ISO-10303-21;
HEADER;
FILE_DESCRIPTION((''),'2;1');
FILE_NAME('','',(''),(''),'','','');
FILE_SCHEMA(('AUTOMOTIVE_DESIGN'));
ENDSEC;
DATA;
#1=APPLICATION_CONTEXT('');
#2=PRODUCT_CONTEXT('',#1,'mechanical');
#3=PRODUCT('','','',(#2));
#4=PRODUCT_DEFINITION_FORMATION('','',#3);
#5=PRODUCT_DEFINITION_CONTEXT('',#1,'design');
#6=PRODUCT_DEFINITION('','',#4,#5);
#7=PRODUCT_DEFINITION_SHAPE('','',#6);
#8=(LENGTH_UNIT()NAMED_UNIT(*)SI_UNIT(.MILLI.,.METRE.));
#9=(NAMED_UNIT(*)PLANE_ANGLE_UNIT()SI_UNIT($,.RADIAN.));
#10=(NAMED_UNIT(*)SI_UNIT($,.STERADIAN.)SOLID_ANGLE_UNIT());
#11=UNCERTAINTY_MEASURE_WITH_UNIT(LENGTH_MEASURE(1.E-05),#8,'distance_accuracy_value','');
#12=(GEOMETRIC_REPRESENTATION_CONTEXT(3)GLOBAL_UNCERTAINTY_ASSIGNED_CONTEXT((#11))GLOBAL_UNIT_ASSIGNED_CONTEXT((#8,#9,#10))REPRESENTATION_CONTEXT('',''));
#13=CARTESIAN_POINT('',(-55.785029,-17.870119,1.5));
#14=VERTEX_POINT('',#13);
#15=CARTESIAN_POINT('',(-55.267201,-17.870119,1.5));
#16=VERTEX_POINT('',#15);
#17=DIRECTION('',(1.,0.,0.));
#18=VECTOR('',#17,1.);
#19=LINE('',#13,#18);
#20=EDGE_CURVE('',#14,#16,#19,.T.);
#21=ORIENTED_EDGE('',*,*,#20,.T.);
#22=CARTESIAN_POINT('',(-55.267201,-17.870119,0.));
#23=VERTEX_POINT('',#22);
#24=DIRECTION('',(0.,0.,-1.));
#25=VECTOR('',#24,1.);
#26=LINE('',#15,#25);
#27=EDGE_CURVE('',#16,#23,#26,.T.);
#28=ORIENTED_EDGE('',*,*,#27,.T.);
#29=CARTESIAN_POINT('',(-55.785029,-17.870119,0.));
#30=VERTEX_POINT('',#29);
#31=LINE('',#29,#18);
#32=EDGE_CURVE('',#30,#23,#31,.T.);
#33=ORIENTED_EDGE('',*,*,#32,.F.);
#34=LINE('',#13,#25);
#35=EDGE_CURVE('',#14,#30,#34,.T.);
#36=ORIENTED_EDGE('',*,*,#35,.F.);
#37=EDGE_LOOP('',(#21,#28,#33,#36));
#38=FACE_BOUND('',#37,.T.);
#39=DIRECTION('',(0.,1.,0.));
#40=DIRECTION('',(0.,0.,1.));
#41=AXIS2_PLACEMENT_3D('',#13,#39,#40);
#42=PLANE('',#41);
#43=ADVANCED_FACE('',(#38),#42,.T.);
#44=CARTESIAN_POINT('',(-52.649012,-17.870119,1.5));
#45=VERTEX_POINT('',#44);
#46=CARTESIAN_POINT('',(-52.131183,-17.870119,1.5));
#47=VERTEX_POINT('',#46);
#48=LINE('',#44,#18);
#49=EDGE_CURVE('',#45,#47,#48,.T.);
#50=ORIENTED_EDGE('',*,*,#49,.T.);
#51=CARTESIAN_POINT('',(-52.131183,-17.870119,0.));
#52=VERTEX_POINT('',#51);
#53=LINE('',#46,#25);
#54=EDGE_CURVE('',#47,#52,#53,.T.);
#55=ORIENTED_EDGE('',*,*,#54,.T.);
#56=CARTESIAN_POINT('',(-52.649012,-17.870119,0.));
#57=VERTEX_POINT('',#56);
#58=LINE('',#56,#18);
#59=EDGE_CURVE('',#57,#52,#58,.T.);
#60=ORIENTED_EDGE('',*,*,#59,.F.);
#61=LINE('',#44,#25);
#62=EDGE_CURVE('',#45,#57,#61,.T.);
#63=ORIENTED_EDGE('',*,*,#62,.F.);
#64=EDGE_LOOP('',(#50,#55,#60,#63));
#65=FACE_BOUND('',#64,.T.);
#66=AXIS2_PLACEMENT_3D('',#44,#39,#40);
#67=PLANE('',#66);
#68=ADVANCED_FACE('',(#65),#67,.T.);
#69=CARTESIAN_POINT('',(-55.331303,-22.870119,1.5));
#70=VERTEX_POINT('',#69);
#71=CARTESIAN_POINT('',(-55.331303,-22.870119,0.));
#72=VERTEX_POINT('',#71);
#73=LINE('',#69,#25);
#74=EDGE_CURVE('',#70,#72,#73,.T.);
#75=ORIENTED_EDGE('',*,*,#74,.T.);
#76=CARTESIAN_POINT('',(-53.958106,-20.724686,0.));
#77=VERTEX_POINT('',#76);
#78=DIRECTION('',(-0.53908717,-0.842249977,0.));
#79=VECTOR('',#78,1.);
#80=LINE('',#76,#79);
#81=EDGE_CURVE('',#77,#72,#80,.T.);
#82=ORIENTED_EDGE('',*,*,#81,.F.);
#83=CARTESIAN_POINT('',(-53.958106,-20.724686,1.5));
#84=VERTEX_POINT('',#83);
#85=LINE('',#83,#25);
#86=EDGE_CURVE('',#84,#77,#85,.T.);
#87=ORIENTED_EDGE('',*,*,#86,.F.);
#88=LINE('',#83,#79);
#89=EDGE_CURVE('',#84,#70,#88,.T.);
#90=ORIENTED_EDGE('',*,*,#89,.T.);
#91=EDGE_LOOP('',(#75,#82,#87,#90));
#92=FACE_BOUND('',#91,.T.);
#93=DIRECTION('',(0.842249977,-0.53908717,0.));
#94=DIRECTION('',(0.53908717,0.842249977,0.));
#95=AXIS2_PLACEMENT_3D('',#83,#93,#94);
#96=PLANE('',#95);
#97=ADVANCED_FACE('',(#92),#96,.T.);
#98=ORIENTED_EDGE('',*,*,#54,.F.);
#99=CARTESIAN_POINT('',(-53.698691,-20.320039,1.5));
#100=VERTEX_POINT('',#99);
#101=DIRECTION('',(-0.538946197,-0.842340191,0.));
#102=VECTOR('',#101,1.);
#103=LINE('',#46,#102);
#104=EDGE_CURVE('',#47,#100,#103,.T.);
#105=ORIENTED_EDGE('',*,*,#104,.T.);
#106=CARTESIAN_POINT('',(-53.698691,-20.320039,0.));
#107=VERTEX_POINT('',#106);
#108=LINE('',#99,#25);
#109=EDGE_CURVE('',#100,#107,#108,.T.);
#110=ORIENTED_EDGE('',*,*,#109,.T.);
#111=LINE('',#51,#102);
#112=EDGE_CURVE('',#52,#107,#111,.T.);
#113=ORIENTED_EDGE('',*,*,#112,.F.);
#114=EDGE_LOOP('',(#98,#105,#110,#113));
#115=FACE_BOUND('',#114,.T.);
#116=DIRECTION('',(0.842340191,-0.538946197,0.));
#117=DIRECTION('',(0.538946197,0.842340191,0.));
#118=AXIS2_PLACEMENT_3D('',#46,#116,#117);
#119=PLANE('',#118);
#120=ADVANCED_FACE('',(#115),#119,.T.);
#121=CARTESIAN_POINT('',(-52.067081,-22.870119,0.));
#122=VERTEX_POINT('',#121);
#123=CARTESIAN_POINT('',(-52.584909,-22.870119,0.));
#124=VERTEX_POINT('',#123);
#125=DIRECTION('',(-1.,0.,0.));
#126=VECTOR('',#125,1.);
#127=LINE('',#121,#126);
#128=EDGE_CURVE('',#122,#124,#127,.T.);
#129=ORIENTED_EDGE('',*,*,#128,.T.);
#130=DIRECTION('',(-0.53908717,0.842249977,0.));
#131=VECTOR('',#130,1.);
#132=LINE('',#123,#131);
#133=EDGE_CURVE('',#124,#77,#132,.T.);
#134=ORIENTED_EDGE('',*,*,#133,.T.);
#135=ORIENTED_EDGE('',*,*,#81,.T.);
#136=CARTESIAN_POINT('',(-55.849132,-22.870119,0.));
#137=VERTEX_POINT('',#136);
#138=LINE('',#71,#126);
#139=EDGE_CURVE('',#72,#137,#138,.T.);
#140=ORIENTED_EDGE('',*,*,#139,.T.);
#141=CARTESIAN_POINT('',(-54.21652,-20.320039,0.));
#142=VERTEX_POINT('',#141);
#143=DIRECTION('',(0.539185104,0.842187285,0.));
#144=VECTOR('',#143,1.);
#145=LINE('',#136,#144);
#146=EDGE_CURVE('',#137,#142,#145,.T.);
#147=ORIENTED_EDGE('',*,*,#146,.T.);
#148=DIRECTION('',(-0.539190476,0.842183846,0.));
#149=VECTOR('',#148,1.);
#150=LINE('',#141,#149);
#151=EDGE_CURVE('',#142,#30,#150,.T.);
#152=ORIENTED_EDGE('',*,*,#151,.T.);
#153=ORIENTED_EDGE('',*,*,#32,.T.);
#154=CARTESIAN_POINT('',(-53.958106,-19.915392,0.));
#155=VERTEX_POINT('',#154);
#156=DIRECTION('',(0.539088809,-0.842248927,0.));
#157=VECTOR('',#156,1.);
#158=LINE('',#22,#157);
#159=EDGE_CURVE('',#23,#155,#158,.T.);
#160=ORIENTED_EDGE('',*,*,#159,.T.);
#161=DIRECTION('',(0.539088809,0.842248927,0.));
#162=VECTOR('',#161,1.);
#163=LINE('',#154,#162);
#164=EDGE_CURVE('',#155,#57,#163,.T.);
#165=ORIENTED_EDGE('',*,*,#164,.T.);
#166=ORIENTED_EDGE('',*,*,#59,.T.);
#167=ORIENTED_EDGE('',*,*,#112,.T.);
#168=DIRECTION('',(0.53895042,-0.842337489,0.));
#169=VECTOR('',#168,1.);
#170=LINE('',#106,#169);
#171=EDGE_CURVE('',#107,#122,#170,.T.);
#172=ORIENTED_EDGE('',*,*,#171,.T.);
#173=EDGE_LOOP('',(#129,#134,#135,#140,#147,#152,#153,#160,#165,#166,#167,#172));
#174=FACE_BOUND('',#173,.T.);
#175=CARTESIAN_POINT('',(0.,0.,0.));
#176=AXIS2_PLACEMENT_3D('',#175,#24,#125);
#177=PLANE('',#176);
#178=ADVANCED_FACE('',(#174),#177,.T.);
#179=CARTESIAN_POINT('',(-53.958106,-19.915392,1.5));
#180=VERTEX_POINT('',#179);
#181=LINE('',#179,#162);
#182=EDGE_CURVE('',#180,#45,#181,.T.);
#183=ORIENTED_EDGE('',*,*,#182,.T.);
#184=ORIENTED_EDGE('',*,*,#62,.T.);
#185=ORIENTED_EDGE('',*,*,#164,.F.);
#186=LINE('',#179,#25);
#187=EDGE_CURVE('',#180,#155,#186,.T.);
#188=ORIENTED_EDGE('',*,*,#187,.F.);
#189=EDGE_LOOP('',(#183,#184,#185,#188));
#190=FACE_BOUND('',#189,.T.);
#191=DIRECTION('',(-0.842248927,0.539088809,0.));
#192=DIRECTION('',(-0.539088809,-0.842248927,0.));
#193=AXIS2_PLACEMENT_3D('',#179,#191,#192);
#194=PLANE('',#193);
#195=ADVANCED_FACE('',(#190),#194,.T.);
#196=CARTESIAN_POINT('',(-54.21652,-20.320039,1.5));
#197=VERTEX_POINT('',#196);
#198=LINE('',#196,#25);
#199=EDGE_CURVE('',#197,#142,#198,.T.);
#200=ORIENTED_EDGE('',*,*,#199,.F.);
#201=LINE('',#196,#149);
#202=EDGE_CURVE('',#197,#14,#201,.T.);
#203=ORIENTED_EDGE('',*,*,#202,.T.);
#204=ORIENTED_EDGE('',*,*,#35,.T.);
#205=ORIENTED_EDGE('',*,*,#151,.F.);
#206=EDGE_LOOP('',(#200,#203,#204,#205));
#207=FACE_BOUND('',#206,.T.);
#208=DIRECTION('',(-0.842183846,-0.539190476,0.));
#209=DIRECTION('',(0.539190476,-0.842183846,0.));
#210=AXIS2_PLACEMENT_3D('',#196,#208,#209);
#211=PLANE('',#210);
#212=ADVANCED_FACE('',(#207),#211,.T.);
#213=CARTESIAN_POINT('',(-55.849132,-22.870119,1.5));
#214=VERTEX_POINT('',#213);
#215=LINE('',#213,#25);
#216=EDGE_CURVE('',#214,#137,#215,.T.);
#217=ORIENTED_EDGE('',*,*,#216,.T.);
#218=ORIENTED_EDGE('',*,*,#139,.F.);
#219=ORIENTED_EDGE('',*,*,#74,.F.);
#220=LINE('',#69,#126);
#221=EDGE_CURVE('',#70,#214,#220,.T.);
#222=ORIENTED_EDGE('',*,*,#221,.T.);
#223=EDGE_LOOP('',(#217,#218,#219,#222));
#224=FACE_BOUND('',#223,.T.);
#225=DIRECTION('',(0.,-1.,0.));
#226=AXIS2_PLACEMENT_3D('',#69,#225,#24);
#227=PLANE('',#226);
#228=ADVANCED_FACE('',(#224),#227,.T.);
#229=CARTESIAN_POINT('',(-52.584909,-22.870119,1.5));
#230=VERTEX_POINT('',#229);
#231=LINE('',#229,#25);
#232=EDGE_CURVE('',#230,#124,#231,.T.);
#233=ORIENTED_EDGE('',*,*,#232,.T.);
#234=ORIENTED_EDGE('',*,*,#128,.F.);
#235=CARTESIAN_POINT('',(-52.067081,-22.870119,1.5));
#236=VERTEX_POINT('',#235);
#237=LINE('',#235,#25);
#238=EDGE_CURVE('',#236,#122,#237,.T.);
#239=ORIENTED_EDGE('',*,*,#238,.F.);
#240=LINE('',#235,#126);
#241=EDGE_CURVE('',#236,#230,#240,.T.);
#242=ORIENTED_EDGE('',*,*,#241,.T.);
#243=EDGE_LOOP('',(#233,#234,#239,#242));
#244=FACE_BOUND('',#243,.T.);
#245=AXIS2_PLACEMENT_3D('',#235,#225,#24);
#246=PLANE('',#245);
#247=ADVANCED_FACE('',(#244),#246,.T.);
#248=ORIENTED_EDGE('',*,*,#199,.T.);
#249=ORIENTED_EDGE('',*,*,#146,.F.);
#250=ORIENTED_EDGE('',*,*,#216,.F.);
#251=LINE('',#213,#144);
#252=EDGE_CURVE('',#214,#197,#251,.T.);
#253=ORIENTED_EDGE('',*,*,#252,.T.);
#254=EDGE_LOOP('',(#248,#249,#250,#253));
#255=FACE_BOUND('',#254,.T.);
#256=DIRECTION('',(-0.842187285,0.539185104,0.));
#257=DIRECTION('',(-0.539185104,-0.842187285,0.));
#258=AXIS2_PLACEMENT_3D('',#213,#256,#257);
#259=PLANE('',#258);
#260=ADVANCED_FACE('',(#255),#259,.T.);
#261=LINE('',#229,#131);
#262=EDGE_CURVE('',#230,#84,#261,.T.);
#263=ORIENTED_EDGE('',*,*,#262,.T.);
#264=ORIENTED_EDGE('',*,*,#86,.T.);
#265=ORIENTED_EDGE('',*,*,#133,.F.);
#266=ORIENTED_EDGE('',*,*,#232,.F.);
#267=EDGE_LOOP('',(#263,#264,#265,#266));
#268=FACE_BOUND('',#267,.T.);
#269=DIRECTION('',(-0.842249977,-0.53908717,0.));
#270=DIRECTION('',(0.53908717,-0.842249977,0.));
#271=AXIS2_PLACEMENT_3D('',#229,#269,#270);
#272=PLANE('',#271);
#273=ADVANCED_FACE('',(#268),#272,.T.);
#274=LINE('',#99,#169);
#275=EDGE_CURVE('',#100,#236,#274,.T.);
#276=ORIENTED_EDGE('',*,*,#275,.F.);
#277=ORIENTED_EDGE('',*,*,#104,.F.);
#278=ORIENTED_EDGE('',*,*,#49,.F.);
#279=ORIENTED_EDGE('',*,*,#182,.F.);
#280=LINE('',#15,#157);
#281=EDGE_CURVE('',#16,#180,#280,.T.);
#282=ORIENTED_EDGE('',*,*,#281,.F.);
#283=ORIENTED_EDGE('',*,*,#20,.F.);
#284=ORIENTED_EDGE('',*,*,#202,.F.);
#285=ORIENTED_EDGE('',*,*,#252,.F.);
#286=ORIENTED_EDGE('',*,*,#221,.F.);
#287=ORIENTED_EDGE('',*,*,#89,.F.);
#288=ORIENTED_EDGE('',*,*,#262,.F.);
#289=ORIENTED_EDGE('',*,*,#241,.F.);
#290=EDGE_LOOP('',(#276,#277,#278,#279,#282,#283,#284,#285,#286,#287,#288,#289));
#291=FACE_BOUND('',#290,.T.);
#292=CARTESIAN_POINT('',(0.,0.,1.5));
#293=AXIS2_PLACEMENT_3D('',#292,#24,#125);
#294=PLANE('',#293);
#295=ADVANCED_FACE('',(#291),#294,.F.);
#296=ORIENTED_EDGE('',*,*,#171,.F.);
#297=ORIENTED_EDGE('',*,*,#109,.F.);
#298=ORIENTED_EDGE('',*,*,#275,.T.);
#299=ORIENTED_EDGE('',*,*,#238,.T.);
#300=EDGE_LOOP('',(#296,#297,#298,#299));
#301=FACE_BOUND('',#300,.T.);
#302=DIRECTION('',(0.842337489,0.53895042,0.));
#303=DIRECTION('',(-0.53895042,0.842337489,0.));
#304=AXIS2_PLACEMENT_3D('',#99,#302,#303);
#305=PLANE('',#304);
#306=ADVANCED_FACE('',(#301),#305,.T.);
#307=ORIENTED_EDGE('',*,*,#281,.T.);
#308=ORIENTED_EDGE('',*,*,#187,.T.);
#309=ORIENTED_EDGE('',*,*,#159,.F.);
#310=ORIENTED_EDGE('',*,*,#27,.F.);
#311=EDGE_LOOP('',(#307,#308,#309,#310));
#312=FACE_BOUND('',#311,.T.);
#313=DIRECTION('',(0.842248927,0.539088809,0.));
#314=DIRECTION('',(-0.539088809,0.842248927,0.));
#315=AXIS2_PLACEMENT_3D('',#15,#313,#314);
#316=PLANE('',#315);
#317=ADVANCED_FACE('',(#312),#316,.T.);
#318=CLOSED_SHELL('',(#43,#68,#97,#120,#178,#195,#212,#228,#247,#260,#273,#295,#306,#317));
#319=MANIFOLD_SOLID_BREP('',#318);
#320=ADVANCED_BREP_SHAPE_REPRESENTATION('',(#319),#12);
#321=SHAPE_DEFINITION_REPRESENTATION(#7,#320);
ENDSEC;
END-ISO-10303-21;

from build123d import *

# Parameters (mm, degrees)
BOSS_EXTRU_1_DEPTH = 1.5


with BuildPart() as part:
    # Esquisse1 → Boss.-Extru.1 (new body)
    with BuildSketch(Plane.XY):
        Polygon((-55.785029428, -17.870119076), (-55.267200903, -17.870119076), (-53.958106352, -19.915391512), (-52.6490118, -17.870119076), (-52.131183275, -17.870119076), (-53.698691287, -20.320038948), (-52.06708071, -22.870119076), (-52.584909236, -22.870119076), (-53.958106352, -20.724686384), (-55.331303467, -22.870119076), (-55.849131993, -22.870119076), (-54.216519813, -20.320038948), align=None)
    extrude(amount=BOSS_EXTRU_1_DEPTH)


solid = part.part
